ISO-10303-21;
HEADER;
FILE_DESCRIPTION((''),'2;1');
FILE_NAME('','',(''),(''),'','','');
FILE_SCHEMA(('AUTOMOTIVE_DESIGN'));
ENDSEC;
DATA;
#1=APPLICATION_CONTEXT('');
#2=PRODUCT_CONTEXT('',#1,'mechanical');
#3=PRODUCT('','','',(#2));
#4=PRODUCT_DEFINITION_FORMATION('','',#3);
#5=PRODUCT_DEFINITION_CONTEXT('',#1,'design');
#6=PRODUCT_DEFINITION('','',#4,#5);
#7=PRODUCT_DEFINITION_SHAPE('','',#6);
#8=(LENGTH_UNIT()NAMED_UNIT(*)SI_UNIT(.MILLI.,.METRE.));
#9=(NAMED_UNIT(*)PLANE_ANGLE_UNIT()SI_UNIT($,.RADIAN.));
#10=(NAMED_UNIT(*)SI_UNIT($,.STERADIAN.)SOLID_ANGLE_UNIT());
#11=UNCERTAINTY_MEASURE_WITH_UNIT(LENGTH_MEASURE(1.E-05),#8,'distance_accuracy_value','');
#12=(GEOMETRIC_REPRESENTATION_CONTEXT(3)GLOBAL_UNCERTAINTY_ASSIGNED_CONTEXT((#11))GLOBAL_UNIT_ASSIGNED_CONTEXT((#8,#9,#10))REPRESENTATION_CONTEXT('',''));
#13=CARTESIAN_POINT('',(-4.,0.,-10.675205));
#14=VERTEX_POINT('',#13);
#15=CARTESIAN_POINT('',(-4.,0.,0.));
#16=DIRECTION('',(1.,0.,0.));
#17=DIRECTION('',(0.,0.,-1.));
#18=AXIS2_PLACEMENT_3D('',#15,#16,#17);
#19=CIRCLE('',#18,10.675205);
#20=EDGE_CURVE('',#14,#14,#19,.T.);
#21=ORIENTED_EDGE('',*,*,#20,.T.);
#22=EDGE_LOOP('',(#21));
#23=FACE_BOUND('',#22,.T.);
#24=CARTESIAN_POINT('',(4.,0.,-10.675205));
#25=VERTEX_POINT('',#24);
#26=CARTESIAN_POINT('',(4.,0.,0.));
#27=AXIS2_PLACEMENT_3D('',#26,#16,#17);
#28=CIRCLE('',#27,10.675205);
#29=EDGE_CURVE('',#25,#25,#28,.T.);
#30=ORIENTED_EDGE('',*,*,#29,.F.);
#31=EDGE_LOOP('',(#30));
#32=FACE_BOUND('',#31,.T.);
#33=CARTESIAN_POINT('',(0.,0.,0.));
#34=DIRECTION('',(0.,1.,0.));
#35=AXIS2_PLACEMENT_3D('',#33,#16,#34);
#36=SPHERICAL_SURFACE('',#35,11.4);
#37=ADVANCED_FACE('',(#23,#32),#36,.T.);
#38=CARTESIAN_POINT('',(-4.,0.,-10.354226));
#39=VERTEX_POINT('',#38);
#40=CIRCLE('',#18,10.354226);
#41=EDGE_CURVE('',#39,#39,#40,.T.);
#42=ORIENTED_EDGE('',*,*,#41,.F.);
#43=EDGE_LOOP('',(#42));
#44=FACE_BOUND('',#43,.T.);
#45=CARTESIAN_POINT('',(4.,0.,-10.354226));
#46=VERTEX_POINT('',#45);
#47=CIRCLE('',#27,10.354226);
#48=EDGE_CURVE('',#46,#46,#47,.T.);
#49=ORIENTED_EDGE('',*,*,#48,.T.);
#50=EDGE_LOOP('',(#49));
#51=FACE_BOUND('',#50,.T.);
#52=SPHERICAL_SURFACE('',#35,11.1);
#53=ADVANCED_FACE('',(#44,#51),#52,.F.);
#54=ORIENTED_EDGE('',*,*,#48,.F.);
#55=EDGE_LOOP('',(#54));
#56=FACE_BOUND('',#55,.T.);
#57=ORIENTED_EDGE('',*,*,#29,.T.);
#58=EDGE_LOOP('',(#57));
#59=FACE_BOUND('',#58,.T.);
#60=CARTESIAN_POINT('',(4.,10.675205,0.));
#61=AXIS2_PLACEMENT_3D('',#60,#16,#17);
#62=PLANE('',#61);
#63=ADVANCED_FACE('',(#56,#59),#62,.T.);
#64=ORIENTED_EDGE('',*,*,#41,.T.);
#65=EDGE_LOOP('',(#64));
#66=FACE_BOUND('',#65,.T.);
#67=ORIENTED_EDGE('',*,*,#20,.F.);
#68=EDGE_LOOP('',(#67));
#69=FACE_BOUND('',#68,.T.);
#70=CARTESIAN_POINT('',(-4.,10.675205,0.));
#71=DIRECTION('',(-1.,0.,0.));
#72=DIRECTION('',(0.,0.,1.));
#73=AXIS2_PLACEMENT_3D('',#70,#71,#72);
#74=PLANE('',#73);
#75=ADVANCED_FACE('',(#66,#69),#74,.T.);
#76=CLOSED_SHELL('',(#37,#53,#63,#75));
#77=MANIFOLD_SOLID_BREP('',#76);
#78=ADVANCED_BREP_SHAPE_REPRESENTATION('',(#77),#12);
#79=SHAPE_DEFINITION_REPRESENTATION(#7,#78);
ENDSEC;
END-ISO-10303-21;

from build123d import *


with BuildPart() as part:
    # Sketch1 → Revolve1 (revolve)
    with BuildSketch(Plane.XY):
        with BuildLine():
            Line((-4, 10.675204916), (-4, 10.35422619))
            ThreePointArc((-4, 10.35422619), (0, 11.1), (4, 10.35422619))
            Line((4, 10.35422619), (4, 10.675204916))
            ThreePointArc((4, 10.675204916), (0, 11.4), (-4, 10.675204916))
        make_face()
    revolve(axis=Axis((0, 0, 0), (-1, 0, 0)))


solid = part.part
